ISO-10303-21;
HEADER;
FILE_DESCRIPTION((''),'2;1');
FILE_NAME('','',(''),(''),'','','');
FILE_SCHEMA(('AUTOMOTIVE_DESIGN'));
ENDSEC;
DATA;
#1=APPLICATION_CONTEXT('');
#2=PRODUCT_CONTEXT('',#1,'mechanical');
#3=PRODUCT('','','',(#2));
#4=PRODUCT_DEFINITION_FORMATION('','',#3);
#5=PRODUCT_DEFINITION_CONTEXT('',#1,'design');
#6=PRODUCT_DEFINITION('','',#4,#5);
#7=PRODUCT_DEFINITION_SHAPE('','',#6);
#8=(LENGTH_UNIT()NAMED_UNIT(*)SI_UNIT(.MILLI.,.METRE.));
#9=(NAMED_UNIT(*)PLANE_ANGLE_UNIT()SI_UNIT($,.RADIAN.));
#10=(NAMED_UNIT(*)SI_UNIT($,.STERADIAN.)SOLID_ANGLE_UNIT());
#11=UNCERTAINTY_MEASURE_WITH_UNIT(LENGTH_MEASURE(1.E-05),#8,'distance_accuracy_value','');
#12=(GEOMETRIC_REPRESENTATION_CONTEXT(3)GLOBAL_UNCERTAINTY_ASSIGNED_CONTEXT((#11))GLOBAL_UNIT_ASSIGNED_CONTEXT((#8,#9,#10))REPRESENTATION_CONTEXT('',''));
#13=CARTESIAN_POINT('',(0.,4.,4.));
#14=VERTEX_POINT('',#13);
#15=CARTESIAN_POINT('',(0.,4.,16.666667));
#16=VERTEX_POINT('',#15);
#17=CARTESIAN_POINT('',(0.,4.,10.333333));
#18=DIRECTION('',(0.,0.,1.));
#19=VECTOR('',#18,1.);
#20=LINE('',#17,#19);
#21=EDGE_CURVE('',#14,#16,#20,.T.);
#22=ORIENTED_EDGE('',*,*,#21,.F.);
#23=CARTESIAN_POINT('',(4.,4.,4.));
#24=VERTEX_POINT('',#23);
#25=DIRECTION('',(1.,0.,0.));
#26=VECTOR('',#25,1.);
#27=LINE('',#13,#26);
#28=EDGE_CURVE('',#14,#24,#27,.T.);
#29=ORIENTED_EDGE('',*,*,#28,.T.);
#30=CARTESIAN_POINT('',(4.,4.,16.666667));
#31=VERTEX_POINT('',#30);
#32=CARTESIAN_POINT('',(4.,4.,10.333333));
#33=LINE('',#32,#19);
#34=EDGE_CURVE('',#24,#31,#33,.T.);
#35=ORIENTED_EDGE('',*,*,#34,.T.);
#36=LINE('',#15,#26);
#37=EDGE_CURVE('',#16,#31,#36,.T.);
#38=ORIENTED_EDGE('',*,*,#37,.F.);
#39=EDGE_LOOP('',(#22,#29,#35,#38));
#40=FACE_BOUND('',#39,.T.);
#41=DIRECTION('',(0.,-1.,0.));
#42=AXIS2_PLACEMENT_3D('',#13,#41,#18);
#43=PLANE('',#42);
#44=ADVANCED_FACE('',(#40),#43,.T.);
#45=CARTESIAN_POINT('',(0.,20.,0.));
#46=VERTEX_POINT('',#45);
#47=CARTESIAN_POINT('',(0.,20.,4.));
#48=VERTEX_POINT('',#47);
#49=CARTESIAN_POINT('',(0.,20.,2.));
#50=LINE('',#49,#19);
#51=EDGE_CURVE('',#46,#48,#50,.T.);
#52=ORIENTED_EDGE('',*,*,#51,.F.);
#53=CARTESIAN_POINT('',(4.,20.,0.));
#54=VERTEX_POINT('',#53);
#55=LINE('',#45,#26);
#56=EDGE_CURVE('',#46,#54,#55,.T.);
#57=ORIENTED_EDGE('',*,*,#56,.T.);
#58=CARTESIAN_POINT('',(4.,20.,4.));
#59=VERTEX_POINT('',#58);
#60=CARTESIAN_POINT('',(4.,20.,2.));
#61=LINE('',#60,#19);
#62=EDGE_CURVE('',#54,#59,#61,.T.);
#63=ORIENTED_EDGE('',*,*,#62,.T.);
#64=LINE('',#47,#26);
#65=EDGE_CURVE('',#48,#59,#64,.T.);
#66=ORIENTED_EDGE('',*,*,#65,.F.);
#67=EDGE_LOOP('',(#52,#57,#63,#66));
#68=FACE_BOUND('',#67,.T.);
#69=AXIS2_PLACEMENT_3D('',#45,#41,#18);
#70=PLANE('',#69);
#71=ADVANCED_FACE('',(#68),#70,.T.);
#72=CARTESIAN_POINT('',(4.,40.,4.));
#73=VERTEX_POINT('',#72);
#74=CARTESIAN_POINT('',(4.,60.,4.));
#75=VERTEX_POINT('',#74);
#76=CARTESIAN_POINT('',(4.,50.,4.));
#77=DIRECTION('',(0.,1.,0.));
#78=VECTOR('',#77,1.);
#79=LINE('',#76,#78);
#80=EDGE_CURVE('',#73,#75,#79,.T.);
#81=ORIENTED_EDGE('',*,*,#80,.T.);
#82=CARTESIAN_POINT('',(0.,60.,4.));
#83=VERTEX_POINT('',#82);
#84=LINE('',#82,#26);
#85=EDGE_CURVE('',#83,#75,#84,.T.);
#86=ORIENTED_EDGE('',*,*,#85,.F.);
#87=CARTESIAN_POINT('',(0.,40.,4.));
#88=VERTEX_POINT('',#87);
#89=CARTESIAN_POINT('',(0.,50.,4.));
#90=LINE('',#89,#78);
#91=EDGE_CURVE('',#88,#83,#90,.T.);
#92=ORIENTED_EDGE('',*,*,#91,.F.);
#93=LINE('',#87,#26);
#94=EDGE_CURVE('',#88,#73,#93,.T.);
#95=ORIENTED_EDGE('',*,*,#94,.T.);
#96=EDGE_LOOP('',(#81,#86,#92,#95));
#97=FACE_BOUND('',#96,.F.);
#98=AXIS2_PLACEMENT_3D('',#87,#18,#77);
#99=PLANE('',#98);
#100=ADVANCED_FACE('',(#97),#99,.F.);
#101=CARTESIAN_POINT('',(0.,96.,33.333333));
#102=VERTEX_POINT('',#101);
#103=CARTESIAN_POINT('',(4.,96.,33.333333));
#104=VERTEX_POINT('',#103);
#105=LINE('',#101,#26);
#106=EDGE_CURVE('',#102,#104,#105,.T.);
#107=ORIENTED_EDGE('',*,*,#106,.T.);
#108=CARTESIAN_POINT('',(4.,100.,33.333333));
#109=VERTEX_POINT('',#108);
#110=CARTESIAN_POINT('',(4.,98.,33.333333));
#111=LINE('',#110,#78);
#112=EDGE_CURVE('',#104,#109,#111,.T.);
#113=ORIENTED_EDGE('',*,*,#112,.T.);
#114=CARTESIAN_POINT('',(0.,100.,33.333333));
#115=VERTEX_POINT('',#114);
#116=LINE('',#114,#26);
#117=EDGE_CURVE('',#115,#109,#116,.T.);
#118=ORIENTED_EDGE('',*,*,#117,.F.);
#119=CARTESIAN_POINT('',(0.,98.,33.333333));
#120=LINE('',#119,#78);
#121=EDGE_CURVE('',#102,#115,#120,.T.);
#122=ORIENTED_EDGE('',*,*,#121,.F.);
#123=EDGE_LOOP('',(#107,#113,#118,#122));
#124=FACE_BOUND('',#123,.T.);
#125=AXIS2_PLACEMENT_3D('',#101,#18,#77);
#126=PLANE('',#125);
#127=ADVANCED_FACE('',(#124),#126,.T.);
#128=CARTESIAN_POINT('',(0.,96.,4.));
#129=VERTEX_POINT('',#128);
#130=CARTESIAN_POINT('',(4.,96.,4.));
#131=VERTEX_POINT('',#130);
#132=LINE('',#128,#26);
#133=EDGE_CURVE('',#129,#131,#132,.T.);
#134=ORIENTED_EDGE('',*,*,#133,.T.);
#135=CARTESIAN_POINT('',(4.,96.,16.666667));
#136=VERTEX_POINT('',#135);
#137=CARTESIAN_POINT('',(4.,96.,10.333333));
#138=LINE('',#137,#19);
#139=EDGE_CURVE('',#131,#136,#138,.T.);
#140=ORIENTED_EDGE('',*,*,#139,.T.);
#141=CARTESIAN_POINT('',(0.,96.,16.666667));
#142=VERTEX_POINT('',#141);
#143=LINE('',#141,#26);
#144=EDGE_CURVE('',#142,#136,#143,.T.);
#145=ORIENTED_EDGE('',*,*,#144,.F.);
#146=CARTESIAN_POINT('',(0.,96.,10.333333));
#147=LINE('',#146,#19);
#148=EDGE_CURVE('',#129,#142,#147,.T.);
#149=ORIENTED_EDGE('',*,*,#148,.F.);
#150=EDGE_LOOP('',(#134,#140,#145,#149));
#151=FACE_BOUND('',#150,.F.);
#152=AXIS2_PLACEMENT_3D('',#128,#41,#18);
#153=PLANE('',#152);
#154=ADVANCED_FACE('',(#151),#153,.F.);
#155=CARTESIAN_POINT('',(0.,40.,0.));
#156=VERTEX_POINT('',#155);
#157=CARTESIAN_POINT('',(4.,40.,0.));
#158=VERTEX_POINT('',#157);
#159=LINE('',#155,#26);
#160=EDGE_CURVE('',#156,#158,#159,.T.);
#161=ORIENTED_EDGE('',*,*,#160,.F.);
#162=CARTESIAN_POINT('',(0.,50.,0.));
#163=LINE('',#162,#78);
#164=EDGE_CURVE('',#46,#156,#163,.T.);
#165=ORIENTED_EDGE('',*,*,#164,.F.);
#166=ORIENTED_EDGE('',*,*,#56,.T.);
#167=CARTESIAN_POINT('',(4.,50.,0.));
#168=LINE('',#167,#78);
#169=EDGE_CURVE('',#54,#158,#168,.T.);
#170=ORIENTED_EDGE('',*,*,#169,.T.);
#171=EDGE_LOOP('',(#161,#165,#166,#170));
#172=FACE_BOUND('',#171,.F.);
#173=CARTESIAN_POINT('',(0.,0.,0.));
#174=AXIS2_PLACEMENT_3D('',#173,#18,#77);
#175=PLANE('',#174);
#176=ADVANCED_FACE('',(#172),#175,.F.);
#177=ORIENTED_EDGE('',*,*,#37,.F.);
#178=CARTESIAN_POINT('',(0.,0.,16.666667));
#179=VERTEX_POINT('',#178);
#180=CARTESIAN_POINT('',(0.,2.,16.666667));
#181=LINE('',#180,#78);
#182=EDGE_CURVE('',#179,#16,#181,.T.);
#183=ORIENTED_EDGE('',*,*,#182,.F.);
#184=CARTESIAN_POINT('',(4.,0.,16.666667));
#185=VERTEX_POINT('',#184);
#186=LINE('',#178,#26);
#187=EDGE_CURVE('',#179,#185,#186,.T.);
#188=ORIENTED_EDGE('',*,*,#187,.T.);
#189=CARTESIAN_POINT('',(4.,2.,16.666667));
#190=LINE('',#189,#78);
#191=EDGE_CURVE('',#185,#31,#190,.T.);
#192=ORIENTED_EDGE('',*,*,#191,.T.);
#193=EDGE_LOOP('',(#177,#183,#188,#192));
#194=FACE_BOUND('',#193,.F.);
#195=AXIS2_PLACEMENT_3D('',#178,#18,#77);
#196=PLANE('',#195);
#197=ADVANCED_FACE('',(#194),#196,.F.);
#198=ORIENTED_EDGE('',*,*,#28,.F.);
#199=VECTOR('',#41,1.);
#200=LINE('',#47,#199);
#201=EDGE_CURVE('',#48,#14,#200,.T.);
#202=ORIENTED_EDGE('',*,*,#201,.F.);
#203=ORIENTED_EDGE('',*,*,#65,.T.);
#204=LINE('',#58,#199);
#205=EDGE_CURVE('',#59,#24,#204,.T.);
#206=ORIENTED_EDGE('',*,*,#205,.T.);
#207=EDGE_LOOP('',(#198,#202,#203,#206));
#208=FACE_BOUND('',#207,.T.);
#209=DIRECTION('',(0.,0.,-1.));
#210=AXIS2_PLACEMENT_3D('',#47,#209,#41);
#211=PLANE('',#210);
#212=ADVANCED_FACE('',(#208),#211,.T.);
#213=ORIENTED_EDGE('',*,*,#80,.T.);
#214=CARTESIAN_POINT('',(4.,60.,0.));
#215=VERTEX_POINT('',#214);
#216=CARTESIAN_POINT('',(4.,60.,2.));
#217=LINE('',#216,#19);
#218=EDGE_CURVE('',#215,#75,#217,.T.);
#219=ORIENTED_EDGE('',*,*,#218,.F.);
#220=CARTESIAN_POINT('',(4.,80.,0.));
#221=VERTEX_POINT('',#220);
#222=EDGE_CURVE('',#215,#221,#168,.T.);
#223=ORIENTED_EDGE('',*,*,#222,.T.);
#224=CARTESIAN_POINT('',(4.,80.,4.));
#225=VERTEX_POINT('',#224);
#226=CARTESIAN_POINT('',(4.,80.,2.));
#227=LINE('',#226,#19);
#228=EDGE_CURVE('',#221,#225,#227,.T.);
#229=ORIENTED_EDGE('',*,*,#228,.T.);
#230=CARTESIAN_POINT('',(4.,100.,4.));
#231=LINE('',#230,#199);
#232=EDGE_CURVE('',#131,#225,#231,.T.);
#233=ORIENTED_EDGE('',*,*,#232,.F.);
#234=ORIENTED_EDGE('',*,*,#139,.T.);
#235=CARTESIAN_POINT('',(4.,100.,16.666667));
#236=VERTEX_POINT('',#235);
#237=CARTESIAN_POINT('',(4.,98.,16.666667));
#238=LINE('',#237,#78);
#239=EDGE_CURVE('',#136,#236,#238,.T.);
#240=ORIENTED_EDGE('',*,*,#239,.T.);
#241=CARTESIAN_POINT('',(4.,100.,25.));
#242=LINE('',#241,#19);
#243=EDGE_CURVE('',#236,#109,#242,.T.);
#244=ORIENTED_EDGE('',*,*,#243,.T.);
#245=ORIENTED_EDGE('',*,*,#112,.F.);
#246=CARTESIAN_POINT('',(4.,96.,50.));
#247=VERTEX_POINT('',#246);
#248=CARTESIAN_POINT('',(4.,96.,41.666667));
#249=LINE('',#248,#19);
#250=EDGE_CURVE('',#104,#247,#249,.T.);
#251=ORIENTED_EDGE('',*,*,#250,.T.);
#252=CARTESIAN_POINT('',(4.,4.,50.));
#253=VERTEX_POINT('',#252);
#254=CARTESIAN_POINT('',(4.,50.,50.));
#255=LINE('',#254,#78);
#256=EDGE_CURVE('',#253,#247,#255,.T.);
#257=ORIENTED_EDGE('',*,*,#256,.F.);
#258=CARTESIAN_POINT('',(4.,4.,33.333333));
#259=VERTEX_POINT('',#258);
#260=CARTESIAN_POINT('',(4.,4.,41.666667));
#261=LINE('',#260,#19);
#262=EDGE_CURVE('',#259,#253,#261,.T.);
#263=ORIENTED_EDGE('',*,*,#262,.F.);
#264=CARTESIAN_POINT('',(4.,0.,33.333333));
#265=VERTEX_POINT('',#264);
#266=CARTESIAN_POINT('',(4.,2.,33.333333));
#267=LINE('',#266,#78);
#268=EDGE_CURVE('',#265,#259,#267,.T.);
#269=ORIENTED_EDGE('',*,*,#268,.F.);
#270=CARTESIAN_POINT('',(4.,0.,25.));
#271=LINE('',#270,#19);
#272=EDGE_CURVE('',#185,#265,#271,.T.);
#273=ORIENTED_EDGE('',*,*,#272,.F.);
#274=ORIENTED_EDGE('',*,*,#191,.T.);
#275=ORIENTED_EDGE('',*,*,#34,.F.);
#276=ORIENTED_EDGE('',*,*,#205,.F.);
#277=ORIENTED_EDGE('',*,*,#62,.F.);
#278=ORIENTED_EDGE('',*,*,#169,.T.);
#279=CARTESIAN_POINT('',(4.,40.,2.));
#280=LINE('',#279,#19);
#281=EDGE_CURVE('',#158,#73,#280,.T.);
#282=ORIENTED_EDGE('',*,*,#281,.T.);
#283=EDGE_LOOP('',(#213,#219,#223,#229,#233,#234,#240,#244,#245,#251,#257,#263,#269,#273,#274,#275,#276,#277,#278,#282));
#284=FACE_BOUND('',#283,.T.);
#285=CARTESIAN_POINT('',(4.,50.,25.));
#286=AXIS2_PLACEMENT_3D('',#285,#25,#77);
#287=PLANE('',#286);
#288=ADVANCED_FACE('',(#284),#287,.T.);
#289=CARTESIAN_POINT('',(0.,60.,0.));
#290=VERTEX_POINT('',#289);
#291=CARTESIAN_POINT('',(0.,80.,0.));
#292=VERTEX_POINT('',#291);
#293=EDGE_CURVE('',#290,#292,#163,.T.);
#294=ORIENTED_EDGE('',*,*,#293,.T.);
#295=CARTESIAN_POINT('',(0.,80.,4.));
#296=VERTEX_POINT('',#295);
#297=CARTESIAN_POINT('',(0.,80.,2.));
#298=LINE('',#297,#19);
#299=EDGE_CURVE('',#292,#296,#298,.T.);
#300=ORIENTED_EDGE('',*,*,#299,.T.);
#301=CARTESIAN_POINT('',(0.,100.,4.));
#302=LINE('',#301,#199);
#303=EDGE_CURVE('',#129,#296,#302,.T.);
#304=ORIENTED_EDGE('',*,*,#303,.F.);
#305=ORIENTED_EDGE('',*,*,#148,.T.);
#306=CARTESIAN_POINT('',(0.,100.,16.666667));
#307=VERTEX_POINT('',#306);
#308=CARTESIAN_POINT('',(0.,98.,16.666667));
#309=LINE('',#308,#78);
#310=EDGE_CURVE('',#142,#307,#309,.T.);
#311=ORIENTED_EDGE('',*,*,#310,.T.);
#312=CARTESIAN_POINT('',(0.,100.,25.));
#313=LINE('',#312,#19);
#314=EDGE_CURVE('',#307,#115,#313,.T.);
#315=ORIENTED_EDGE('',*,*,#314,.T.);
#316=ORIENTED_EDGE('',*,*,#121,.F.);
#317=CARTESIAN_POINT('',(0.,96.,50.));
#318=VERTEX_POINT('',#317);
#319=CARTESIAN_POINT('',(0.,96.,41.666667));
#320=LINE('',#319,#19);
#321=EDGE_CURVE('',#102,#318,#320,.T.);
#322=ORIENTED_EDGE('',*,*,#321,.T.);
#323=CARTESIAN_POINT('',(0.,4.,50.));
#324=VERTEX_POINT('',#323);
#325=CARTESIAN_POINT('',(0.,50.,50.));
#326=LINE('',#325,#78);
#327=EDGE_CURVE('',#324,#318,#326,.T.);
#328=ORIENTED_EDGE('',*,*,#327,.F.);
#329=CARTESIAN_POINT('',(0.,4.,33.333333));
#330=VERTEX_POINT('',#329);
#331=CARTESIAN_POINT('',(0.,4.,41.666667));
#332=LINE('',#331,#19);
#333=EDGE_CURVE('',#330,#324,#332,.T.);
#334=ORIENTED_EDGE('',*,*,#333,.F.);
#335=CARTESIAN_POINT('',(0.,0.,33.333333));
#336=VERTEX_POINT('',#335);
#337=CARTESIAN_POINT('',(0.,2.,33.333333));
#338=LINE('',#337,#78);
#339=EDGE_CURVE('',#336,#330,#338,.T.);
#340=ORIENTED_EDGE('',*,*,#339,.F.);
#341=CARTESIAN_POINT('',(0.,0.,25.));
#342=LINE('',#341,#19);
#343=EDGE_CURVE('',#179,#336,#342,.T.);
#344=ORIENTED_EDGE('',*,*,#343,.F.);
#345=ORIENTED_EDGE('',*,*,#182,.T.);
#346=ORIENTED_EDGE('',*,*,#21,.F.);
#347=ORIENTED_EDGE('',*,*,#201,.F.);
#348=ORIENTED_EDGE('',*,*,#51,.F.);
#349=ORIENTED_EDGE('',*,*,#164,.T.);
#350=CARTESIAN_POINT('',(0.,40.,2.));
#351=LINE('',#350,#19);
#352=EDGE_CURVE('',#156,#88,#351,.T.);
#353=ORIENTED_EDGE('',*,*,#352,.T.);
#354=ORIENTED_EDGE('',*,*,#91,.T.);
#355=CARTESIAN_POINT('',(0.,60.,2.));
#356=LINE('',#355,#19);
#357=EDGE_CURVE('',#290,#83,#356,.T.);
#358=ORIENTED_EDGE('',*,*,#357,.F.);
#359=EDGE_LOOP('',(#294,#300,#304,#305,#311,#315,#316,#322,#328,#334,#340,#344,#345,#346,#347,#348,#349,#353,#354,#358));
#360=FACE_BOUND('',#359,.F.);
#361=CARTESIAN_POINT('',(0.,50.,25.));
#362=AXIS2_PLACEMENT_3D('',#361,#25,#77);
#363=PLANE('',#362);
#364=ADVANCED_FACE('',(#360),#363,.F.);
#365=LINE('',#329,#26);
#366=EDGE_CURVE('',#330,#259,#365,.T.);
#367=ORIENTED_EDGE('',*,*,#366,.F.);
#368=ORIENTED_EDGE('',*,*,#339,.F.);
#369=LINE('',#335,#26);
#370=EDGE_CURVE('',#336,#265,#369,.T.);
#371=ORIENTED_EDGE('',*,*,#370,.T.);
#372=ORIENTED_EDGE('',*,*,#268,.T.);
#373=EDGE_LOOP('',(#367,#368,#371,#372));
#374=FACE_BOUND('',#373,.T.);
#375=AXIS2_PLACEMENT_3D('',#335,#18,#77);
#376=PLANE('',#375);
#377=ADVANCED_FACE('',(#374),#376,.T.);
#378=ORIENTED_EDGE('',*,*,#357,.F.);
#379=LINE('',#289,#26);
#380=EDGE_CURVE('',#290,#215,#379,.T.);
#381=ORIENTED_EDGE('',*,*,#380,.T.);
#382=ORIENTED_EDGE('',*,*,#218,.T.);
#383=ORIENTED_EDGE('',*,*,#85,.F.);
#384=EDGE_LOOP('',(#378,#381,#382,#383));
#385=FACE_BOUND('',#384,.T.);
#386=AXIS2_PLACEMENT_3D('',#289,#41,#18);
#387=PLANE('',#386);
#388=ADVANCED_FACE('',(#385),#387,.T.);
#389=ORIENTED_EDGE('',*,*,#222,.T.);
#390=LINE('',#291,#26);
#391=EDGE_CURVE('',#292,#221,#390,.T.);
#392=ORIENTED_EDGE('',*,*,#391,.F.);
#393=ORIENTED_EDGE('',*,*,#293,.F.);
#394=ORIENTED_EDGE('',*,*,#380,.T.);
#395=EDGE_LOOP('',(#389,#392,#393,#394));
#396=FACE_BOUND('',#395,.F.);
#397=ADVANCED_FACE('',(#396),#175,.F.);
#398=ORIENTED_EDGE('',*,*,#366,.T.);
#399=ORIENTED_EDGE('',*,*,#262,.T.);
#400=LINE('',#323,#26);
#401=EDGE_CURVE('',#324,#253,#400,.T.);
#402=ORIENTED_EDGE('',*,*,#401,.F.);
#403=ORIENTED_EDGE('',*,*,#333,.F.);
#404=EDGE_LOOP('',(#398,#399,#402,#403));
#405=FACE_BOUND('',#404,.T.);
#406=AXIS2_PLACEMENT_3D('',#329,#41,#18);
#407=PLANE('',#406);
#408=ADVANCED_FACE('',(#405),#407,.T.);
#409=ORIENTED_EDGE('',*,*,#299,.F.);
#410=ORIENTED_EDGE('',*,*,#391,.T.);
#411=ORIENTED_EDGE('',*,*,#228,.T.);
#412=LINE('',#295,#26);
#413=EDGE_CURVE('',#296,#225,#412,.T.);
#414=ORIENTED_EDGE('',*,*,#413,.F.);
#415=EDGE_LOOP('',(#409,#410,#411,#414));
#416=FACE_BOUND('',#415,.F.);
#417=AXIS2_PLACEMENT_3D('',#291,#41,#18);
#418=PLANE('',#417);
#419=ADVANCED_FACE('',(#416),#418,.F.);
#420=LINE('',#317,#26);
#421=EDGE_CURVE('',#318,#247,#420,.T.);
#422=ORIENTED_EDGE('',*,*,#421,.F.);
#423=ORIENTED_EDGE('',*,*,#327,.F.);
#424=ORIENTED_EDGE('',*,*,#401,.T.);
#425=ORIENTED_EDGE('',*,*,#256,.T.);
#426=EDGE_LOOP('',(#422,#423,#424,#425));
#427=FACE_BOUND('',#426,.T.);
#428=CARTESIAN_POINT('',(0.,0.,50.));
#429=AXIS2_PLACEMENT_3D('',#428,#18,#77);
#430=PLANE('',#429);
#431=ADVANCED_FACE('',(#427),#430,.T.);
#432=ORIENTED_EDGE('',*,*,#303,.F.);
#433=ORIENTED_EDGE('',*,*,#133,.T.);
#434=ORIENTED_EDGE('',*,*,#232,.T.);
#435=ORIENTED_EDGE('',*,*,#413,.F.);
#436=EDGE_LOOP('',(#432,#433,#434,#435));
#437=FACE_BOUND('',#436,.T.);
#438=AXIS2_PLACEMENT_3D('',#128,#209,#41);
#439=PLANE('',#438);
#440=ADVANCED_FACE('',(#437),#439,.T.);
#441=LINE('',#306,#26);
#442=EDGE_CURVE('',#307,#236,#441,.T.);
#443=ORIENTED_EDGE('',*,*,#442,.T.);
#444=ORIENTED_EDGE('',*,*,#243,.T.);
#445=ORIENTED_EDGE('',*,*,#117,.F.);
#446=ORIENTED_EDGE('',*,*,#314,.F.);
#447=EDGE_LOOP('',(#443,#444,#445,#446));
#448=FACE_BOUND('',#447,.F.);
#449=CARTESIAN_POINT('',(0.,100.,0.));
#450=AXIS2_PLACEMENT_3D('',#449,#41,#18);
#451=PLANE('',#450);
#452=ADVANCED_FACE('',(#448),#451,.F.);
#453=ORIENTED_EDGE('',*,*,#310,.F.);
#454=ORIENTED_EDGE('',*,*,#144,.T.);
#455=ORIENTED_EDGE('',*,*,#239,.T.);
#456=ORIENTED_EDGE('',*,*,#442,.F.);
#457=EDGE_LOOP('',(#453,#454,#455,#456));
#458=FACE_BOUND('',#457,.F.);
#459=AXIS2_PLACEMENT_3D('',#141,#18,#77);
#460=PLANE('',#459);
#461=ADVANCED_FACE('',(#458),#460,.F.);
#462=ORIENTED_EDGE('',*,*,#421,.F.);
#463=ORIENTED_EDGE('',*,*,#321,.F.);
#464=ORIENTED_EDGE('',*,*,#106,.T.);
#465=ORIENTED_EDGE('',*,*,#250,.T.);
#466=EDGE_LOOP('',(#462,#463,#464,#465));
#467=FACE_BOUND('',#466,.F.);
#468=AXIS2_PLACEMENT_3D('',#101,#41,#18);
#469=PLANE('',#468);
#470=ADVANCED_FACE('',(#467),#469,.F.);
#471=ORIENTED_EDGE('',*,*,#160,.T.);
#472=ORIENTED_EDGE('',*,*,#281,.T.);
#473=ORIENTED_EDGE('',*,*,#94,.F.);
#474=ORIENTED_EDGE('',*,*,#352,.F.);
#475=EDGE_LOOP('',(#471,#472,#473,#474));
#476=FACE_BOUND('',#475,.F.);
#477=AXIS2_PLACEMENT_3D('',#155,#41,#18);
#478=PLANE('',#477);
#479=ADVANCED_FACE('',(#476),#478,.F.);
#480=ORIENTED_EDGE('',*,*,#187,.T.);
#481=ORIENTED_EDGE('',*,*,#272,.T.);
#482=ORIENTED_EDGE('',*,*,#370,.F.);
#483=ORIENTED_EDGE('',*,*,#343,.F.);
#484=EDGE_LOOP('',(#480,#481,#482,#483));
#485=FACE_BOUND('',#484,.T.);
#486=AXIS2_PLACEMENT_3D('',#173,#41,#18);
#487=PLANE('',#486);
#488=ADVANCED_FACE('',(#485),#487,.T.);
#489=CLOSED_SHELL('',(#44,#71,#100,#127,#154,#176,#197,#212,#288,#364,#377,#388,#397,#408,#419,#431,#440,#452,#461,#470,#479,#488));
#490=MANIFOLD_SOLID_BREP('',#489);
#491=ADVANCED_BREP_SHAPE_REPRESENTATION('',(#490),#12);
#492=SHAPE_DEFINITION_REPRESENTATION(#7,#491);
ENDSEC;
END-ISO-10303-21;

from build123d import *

# Parameters (mm, degrees)
F0_W     = 100
F0_H     = 50
F1_DEPTH = 4
F2_W     = 4
F2_H     = 4
F2_W_2   = 16
F2_H_2   = 12.6666666667
F2_H_3   = 16.6666666666
F2_W_3   = 20
F2_H_4   = 16.6666666667
F3_DEPTH = 4


with BuildPart() as f1:
    # F0 (on Right) → F1 (new body)
    with BuildSketch(Plane.YZ):
        with Locations((50, 25)):
            Rectangle(F0_W, F0_H)
    extrude(amount=F1_DEPTH)

    # F2 (on Right) → F3 (cut)
    with BuildSketch(Plane.YZ):
        with Locations((2, 2)):
            Rectangle(F2_W, F2_H)
        with Locations((12, 2)):
            Rectangle(F2_W_2, F2_H)
        with Locations((2, 10.3333333334)):
            Rectangle(F2_W, F2_H_2)
        with Locations((2, 41.6666666667)):
            Rectangle(F2_W, F2_H_3)
        with Locations((50, 2)):
            Rectangle(F2_W_3, F2_H)
        with Locations((98, 2)):
            Rectangle(F2_W, F2_H)
        with Locations((88, 2)):
            Rectangle(F2_W_2, F2_H)
        with Locations((98, 10.3333333333)):
            Rectangle(F2_W, F2_H_2)
        with Locations((98, 41.6666666667)):
            Rectangle(F2_W, F2_H_4)
    extrude(amount=F3_DEPTH, mode=Mode.SUBTRACT)


solid = f1.part
